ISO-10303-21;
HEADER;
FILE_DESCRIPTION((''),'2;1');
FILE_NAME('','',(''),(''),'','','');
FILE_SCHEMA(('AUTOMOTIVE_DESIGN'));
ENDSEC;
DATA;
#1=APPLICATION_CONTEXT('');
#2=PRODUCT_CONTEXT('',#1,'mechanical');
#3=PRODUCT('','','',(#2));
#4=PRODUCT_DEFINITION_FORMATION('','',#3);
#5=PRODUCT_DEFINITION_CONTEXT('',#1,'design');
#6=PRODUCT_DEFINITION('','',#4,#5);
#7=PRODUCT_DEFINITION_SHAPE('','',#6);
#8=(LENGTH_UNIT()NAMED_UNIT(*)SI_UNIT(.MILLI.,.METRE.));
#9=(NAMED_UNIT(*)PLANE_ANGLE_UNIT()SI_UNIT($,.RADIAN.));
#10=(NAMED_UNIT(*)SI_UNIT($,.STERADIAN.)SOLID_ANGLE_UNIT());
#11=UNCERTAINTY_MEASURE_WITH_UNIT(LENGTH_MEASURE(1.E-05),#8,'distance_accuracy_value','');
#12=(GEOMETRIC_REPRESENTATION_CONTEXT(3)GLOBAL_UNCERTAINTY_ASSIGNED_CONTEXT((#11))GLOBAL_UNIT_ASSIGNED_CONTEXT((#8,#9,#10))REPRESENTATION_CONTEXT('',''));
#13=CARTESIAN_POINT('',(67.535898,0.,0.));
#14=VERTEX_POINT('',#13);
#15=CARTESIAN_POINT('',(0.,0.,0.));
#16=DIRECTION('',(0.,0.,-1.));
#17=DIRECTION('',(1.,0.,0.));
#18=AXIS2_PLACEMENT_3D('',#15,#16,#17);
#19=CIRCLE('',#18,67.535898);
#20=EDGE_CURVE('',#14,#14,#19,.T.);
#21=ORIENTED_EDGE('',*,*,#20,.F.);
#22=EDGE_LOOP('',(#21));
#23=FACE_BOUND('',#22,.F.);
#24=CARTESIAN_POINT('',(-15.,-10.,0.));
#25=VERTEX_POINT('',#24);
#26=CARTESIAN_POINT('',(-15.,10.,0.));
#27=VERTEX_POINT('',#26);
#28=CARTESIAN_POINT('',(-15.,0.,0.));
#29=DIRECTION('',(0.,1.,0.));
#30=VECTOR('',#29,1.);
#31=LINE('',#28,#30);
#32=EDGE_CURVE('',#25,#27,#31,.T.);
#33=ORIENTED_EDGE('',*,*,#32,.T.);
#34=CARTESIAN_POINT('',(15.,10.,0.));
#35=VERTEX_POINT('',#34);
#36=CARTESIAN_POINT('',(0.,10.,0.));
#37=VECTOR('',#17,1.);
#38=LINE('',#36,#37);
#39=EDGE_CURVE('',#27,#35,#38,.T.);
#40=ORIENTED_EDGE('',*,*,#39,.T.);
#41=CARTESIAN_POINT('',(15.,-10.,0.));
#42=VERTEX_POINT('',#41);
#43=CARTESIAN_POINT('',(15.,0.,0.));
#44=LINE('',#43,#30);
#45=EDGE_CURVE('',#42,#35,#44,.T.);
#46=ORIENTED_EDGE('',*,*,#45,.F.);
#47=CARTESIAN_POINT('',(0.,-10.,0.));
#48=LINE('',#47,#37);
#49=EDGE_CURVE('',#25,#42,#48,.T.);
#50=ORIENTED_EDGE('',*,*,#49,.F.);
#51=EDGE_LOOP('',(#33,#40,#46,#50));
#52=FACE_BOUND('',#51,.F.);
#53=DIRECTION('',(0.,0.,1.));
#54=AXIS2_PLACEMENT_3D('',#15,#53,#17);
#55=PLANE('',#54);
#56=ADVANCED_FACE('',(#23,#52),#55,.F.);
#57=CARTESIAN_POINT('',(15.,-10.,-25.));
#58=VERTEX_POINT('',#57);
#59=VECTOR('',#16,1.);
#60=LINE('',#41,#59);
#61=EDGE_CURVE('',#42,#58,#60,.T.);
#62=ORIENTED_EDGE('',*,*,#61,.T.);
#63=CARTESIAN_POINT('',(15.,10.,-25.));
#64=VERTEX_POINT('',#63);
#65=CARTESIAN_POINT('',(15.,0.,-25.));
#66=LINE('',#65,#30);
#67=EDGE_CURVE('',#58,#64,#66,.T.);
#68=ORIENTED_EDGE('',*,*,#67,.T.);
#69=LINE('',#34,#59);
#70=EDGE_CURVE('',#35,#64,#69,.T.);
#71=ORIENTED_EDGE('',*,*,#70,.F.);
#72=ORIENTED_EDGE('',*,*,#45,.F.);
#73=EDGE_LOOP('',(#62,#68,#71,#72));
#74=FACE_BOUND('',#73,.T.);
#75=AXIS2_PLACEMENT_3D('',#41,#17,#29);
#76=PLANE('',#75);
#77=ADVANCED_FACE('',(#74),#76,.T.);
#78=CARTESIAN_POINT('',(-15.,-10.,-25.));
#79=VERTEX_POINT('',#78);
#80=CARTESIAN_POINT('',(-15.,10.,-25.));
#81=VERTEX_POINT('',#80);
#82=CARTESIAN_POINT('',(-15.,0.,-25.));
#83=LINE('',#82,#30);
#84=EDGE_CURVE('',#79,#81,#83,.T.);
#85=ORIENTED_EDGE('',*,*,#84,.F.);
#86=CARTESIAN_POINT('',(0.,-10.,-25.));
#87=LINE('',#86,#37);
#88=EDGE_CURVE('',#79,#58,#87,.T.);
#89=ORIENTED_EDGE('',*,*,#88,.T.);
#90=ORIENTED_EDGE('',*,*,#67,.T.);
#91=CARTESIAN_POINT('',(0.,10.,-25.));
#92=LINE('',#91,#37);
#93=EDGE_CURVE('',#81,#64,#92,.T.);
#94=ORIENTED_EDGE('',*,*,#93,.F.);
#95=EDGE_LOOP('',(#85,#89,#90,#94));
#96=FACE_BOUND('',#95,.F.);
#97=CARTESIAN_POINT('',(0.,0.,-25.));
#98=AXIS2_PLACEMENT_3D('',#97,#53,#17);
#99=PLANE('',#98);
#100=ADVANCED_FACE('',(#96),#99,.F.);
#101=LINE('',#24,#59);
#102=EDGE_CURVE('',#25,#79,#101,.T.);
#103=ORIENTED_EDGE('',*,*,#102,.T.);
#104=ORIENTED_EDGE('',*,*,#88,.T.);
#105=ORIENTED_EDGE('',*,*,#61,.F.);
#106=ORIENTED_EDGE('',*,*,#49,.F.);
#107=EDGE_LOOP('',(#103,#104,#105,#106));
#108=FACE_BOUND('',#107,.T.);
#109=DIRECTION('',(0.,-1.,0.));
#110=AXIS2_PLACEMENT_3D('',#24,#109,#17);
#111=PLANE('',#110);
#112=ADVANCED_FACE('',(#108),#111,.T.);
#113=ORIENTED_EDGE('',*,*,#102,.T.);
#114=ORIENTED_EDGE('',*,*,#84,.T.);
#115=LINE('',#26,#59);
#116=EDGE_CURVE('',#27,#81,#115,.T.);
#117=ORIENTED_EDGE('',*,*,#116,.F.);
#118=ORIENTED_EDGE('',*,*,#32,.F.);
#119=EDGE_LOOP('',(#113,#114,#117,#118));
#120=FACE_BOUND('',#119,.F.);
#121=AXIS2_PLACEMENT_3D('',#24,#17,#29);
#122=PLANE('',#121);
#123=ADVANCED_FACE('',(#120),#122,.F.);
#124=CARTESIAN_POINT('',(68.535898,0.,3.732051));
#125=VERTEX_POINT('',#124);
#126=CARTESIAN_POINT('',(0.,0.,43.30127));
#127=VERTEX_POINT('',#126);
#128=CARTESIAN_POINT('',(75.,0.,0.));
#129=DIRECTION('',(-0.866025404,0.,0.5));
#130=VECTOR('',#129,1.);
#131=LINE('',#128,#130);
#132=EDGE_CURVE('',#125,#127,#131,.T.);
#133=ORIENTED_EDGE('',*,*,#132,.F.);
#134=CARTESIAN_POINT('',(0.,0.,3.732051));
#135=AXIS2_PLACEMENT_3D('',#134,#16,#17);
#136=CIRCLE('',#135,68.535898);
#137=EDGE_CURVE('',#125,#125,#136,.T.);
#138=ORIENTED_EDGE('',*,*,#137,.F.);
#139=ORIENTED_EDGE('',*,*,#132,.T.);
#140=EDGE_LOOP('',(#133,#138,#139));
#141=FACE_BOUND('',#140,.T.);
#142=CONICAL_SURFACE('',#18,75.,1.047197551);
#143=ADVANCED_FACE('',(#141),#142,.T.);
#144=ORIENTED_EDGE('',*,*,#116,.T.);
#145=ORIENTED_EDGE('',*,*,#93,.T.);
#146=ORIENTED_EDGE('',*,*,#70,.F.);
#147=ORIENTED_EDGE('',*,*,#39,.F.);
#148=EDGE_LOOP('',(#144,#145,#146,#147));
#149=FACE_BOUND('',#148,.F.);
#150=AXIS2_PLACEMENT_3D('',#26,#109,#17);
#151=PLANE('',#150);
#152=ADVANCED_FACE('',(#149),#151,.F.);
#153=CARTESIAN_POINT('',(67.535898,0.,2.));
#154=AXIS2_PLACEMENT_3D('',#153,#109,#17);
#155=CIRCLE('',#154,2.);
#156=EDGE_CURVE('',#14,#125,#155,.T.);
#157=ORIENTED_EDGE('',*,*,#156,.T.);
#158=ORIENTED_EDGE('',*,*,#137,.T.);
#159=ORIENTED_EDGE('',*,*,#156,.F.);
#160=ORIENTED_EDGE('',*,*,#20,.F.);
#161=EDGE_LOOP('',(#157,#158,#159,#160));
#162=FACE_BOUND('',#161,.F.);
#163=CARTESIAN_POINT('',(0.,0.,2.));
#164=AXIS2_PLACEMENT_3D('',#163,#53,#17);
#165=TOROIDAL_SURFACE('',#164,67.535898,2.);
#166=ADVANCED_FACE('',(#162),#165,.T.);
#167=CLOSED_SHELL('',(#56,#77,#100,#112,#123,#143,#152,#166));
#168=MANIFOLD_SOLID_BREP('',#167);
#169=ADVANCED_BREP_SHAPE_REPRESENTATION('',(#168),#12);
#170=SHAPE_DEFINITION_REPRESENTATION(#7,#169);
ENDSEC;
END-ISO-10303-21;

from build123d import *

# Parameters (mm, degrees)
F0_R     = 75
F1_DEPTH = 50
F1_TAPER = 60
F2_W     = 30
F2_H     = 20
F3_DEPTH = 25
F4_R     = 2


with BuildPart() as f1:
    # F0 (on Top) → F1 (new body)
    with BuildSketch(Plane.XY):
        Circle(F0_R)
    extrude(amount=F1_DEPTH, taper=F1_TAPER)

    # F2 (on Top) → F3 (join)
    with BuildSketch(Plane.XY):
        Rectangle(F2_W, F2_H)
    extrude(amount=-F3_DEPTH)

    # F4
    f4_edges = [f1.edges().sort_by_distance(p)[0] for p in [
        (-75, 0, 0),
    ]]
    fillet(f4_edges, radius=F4_R)


solid = f1.part
